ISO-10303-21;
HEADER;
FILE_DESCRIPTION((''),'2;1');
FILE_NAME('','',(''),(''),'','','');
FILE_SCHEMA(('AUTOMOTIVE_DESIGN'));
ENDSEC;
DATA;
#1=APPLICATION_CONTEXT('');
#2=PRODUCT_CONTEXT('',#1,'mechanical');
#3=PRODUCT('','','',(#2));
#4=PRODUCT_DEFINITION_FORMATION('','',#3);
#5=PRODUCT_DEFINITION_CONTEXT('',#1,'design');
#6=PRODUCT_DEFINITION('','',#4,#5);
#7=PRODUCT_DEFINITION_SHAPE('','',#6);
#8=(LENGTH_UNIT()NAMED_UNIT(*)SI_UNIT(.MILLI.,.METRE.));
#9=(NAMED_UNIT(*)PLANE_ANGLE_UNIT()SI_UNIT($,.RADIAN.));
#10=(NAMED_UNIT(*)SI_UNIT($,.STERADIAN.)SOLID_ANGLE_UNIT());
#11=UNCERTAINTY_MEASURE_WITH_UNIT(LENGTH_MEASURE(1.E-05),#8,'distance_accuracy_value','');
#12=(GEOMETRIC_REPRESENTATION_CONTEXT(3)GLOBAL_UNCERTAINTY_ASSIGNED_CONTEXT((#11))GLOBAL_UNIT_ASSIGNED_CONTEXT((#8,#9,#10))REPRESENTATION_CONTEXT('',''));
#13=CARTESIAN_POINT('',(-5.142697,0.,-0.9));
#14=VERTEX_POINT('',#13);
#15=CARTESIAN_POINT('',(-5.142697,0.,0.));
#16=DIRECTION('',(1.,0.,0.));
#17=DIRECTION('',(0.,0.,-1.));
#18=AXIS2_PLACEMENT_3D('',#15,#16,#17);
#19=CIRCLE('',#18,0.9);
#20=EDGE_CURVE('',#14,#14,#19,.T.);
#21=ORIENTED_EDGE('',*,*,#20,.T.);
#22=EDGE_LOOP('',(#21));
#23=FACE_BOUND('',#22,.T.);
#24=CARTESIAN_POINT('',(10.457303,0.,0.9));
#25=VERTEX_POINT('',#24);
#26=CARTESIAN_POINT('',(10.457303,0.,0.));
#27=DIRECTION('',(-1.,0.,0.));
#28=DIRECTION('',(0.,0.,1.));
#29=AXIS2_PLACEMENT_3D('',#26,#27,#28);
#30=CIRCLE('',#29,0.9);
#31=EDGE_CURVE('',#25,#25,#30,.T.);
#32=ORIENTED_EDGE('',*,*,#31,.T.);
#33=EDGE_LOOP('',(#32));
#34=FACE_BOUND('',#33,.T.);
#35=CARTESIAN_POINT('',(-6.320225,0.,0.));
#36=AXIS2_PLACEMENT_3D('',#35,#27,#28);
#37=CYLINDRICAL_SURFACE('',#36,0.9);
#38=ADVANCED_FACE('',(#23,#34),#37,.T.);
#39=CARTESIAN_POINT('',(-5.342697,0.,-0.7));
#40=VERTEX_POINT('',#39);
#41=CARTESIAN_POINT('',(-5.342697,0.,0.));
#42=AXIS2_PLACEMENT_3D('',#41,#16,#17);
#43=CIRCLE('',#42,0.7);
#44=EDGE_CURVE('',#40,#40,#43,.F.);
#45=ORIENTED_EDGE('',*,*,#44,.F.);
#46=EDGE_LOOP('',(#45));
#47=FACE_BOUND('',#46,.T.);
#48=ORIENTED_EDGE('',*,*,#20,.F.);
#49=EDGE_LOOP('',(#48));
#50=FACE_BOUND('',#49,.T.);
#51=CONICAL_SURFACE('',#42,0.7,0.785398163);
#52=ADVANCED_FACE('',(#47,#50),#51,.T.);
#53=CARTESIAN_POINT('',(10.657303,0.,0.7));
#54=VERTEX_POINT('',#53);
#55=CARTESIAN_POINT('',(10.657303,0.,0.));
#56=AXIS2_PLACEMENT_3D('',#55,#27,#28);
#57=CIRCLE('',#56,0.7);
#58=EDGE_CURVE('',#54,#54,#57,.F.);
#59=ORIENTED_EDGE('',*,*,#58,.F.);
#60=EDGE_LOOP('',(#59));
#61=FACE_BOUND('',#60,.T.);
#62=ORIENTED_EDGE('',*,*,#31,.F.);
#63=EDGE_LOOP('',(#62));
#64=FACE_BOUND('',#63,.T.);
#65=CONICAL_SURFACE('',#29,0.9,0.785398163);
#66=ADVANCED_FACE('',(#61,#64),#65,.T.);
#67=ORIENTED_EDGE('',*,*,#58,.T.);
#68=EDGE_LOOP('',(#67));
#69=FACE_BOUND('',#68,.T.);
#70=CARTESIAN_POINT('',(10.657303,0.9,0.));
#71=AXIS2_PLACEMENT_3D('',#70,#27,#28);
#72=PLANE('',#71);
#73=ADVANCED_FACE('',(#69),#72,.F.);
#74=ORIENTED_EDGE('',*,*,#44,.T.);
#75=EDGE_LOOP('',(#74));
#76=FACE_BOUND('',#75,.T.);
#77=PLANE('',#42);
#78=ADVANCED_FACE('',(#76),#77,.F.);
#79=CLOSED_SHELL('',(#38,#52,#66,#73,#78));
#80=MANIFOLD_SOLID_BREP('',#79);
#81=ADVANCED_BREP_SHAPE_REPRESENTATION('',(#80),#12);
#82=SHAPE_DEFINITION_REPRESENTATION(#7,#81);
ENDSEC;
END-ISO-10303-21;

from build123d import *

# Parameters (mm, degrees)
SKETCH_1_W     = 16
SKETCH_1_H     = 0.9
CHAMFER_1_SIZE = 0.2


with BuildPart() as part:
    # 草图1 → 旋转1 (revolve)
    with BuildSketch(Plane.XY, mode=Mode.PRIVATE) as revolve_1_sk:
        with Locations((2.657303371, 0.45)):
            Rectangle(SKETCH_1_W, SKETCH_1_H)
    revolve(revolve_1_sk.sketch.rotate(Axis((-6.320224719, 0, 0), (1, 0, 0)), 90), axis=Axis((-6.320224719, 0, 0), (1, 0, 0)))

    # 倒角1
    chamfer_1_edges = [part.edges().sort_by_distance(p)[0] for p in [
        (10.657303371, 0, -0.9),
        (-5.342696629, 0, -0.9),
    ]]
    chamfer(chamfer_1_edges, length=CHAMFER_1_SIZE)


solid = part.part
